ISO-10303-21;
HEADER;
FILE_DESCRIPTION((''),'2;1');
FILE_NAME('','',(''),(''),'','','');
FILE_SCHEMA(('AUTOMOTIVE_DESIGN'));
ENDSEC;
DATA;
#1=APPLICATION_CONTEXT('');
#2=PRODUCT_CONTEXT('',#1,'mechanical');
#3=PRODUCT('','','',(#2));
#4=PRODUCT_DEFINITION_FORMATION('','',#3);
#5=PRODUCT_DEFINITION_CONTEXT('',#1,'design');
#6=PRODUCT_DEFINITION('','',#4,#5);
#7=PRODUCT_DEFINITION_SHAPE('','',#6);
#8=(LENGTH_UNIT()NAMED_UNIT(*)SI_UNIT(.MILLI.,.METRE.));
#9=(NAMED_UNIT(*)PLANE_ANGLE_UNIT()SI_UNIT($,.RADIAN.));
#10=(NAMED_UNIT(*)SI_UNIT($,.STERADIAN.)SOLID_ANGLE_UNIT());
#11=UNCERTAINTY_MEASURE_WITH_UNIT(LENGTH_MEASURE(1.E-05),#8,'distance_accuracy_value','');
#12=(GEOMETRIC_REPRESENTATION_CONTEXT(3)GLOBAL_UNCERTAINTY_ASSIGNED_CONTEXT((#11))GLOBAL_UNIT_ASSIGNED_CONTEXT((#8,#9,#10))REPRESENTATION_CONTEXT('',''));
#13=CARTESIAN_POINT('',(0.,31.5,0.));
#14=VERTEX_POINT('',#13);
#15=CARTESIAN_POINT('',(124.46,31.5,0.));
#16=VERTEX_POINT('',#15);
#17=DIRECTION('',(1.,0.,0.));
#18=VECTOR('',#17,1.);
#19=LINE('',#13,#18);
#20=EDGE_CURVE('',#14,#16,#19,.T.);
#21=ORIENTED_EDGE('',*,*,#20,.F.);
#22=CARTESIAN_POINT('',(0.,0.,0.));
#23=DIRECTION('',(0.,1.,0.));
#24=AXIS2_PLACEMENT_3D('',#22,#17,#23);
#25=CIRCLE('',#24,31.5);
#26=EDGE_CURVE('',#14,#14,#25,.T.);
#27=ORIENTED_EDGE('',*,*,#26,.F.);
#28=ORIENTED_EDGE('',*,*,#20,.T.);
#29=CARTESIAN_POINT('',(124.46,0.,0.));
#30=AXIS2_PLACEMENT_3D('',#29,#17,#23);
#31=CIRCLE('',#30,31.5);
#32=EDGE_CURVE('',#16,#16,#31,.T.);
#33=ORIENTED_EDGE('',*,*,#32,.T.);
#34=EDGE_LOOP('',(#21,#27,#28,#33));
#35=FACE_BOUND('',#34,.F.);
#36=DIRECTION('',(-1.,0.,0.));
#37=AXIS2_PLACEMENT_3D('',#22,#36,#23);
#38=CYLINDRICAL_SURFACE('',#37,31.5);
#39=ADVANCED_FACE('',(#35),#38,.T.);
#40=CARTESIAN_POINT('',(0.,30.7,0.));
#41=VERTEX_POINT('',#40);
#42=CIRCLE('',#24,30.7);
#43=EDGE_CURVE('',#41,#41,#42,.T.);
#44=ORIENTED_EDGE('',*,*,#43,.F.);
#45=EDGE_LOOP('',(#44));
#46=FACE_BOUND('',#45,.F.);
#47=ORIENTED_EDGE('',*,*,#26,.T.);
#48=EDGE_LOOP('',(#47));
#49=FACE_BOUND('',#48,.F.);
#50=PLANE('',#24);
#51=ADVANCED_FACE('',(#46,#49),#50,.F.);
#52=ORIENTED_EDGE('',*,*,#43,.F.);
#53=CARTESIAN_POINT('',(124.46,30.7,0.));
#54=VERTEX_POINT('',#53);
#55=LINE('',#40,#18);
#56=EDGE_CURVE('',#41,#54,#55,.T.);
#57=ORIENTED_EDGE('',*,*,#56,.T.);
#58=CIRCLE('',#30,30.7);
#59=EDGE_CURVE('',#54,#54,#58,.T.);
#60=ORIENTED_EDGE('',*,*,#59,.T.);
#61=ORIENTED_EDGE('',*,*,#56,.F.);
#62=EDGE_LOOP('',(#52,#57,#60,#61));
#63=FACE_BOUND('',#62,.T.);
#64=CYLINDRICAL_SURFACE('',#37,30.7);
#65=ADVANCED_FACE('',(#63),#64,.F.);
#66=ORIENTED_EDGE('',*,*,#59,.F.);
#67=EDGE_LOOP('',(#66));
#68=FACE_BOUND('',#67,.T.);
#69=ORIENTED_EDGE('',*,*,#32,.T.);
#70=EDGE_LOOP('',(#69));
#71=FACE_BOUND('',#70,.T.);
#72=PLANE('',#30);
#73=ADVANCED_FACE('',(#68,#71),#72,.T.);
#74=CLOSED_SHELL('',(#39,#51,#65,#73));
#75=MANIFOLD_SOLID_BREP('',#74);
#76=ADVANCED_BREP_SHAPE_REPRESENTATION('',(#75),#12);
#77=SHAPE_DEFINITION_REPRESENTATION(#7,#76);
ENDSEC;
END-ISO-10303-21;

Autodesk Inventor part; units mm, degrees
ref_plane "YZ Plane" through (0, 0, 0) normal (1, 0, 0) x (0, 1, 0)
ref_plane "XZ Plane" through (0, 0, 0) normal (0, 1, 0) x (-1, 0, 0)
ref_plane "XY Plane" through (0, 0, 0) normal (0, 0, 1) x (1, 0, 0)
sketch "Sketch1" plane through (0, 0, 0) normal (1, 0, 0) x (0, 1, 0)
  circle A0 centre (0, 0) radius 31.5
  circle A1 centre (0, 0) radius 30.7
  dimension "d0" = 63
  dimension "d1" = 0.8
extrude "Extrusion1" add sketch "Sketch1" along normal blind 124.46
equation "\"d0\" = OD"
equation "\"d1\" = t"
equation "\"d2\" = L"
equation "\"OD\" = 63"
equation "\"t\" = 0.8"
equation "\"L\" = PL"
equation "\"ID\" = 61.4"
equation "\"PL\" = 124.46"
properties part number "ISO 4065 Pipe DN63x0.8xS40 - 124.46000000" material "PVC-Piping"
